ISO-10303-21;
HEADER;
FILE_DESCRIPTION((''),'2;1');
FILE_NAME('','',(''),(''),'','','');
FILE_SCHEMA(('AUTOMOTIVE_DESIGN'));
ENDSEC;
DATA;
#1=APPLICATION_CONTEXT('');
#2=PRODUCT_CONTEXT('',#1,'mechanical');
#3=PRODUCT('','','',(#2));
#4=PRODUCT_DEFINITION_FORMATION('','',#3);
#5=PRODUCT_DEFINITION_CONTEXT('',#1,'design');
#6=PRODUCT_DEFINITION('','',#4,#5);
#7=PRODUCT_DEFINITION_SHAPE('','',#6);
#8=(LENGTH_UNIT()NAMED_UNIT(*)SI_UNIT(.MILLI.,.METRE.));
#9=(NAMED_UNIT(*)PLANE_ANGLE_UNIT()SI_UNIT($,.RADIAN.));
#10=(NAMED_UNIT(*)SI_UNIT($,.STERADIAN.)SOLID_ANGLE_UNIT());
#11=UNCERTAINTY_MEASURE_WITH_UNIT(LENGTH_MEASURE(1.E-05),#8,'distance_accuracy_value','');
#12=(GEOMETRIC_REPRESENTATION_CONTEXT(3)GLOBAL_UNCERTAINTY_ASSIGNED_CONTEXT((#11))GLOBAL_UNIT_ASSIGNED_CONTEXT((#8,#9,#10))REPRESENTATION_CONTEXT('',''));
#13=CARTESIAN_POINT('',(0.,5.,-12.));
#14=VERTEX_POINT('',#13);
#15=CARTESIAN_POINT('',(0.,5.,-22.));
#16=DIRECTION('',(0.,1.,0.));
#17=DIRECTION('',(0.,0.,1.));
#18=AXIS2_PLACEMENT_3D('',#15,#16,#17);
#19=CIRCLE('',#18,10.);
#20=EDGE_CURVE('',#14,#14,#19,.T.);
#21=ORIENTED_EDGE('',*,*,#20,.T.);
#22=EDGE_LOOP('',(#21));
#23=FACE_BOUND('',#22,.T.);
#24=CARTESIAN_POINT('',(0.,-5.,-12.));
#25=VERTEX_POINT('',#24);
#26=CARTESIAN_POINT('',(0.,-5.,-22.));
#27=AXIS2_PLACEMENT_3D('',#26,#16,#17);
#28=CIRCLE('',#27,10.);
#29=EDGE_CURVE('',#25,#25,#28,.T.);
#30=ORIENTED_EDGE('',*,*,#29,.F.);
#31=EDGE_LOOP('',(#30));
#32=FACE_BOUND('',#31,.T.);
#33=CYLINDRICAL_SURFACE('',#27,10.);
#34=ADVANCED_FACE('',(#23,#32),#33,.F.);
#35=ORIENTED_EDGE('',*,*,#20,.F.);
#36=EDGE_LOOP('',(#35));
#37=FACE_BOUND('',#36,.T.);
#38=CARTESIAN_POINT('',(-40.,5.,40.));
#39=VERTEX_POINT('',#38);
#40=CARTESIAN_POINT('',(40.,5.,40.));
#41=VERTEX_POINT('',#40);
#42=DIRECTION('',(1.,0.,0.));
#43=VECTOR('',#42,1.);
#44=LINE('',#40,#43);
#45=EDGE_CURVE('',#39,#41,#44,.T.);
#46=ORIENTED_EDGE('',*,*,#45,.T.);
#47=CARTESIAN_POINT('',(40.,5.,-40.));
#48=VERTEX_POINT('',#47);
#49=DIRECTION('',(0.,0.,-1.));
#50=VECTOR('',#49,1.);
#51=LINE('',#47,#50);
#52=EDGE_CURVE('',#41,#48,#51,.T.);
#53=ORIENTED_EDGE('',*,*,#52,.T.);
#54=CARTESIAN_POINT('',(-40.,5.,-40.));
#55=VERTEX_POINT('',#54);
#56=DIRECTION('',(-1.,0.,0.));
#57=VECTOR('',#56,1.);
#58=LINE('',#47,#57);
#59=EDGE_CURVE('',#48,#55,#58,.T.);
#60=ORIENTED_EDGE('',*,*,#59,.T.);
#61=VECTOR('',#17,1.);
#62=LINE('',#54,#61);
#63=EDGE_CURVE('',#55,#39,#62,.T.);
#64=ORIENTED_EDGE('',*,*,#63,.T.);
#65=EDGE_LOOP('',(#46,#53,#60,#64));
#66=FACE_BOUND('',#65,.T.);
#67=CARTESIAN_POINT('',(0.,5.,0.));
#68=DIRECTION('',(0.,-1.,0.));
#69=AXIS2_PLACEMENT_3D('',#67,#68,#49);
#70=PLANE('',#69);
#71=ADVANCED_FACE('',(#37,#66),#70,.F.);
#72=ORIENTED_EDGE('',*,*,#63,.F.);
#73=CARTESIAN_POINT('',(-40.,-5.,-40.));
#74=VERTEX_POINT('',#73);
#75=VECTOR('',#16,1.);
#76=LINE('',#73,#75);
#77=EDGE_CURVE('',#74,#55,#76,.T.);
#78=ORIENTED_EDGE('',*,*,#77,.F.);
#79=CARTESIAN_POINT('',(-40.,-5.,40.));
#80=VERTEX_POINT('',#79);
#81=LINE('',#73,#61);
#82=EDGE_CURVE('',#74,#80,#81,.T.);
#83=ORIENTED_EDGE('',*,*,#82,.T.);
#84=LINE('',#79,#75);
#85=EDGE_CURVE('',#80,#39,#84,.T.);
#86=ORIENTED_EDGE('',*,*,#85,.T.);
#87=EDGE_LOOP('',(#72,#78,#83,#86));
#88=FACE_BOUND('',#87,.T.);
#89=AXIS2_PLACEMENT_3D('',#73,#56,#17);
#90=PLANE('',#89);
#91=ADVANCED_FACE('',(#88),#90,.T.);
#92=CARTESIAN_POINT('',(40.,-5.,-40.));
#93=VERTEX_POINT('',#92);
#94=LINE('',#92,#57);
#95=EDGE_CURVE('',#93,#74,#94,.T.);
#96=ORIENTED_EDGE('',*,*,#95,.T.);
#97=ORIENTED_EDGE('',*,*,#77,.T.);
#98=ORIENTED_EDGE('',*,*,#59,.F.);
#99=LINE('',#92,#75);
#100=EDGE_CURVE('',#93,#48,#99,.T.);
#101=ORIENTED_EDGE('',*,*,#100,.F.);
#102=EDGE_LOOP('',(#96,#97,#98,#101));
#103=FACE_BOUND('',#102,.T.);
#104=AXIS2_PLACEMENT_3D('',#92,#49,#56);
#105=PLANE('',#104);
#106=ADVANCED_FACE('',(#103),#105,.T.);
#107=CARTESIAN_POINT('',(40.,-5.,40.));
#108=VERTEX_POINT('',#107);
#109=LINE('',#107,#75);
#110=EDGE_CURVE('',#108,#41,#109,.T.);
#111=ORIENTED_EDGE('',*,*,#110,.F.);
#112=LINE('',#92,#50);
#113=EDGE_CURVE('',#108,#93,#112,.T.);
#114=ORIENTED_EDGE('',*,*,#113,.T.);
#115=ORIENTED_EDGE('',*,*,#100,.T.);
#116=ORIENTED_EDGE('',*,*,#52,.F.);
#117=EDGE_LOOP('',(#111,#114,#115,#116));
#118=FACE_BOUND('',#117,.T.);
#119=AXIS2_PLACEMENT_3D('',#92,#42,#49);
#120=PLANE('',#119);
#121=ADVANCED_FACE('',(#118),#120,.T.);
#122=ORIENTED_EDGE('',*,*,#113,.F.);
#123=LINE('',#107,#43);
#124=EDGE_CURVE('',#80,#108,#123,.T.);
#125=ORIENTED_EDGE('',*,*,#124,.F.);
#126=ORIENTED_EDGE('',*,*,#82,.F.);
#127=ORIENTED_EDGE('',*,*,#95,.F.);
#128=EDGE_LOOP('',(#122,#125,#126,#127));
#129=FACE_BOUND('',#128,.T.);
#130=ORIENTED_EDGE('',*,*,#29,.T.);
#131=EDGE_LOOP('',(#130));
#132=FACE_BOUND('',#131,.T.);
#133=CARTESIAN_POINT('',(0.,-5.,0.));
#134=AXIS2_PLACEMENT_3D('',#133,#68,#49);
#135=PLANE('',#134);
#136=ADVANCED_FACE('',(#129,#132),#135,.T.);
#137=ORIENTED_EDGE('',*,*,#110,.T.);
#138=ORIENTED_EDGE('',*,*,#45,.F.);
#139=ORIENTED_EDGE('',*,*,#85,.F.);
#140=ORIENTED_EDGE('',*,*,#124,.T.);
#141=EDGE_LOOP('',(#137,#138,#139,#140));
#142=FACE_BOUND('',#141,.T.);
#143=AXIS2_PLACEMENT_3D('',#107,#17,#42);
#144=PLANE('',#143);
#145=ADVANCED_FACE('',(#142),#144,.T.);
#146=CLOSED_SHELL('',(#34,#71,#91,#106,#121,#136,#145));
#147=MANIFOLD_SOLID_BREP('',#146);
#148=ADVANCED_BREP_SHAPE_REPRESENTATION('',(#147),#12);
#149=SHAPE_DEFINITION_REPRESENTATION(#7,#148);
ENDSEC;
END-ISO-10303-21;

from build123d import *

# Parameters (mm, degrees)
SKETCH1_W           = 80
SKETCH1_H           = 80
BOSS_EXTRUDE1_DEPTH = 5
SKETCH2_R           = 10
CUT_EXTRUDE1_DEPTH  = 11


with BuildPart() as part:
    # Sketch1 → Boss-Extrude1 (new body, symmetric)
    with BuildSketch(Plane(origin=(0, 0, 0), x_dir=(1, 0, 0), z_dir=(0, 1, 0))):
        Rectangle(SKETCH1_W, SKETCH1_H)
    extrude(amount=BOSS_EXTRUDE1_DEPTH, both=True)

    # Sketch2 → Cut-Extrude1 (cut, through all)
    with BuildSketch(Plane(origin=(0, 5, 0), x_dir=(1, 0, 0), z_dir=(0, 1, 0))):
        with Locations((0, 22)):
            Circle(SKETCH2_R)
    extrude(amount=-CUT_EXTRUDE1_DEPTH, mode=Mode.SUBTRACT)


solid = part.part
